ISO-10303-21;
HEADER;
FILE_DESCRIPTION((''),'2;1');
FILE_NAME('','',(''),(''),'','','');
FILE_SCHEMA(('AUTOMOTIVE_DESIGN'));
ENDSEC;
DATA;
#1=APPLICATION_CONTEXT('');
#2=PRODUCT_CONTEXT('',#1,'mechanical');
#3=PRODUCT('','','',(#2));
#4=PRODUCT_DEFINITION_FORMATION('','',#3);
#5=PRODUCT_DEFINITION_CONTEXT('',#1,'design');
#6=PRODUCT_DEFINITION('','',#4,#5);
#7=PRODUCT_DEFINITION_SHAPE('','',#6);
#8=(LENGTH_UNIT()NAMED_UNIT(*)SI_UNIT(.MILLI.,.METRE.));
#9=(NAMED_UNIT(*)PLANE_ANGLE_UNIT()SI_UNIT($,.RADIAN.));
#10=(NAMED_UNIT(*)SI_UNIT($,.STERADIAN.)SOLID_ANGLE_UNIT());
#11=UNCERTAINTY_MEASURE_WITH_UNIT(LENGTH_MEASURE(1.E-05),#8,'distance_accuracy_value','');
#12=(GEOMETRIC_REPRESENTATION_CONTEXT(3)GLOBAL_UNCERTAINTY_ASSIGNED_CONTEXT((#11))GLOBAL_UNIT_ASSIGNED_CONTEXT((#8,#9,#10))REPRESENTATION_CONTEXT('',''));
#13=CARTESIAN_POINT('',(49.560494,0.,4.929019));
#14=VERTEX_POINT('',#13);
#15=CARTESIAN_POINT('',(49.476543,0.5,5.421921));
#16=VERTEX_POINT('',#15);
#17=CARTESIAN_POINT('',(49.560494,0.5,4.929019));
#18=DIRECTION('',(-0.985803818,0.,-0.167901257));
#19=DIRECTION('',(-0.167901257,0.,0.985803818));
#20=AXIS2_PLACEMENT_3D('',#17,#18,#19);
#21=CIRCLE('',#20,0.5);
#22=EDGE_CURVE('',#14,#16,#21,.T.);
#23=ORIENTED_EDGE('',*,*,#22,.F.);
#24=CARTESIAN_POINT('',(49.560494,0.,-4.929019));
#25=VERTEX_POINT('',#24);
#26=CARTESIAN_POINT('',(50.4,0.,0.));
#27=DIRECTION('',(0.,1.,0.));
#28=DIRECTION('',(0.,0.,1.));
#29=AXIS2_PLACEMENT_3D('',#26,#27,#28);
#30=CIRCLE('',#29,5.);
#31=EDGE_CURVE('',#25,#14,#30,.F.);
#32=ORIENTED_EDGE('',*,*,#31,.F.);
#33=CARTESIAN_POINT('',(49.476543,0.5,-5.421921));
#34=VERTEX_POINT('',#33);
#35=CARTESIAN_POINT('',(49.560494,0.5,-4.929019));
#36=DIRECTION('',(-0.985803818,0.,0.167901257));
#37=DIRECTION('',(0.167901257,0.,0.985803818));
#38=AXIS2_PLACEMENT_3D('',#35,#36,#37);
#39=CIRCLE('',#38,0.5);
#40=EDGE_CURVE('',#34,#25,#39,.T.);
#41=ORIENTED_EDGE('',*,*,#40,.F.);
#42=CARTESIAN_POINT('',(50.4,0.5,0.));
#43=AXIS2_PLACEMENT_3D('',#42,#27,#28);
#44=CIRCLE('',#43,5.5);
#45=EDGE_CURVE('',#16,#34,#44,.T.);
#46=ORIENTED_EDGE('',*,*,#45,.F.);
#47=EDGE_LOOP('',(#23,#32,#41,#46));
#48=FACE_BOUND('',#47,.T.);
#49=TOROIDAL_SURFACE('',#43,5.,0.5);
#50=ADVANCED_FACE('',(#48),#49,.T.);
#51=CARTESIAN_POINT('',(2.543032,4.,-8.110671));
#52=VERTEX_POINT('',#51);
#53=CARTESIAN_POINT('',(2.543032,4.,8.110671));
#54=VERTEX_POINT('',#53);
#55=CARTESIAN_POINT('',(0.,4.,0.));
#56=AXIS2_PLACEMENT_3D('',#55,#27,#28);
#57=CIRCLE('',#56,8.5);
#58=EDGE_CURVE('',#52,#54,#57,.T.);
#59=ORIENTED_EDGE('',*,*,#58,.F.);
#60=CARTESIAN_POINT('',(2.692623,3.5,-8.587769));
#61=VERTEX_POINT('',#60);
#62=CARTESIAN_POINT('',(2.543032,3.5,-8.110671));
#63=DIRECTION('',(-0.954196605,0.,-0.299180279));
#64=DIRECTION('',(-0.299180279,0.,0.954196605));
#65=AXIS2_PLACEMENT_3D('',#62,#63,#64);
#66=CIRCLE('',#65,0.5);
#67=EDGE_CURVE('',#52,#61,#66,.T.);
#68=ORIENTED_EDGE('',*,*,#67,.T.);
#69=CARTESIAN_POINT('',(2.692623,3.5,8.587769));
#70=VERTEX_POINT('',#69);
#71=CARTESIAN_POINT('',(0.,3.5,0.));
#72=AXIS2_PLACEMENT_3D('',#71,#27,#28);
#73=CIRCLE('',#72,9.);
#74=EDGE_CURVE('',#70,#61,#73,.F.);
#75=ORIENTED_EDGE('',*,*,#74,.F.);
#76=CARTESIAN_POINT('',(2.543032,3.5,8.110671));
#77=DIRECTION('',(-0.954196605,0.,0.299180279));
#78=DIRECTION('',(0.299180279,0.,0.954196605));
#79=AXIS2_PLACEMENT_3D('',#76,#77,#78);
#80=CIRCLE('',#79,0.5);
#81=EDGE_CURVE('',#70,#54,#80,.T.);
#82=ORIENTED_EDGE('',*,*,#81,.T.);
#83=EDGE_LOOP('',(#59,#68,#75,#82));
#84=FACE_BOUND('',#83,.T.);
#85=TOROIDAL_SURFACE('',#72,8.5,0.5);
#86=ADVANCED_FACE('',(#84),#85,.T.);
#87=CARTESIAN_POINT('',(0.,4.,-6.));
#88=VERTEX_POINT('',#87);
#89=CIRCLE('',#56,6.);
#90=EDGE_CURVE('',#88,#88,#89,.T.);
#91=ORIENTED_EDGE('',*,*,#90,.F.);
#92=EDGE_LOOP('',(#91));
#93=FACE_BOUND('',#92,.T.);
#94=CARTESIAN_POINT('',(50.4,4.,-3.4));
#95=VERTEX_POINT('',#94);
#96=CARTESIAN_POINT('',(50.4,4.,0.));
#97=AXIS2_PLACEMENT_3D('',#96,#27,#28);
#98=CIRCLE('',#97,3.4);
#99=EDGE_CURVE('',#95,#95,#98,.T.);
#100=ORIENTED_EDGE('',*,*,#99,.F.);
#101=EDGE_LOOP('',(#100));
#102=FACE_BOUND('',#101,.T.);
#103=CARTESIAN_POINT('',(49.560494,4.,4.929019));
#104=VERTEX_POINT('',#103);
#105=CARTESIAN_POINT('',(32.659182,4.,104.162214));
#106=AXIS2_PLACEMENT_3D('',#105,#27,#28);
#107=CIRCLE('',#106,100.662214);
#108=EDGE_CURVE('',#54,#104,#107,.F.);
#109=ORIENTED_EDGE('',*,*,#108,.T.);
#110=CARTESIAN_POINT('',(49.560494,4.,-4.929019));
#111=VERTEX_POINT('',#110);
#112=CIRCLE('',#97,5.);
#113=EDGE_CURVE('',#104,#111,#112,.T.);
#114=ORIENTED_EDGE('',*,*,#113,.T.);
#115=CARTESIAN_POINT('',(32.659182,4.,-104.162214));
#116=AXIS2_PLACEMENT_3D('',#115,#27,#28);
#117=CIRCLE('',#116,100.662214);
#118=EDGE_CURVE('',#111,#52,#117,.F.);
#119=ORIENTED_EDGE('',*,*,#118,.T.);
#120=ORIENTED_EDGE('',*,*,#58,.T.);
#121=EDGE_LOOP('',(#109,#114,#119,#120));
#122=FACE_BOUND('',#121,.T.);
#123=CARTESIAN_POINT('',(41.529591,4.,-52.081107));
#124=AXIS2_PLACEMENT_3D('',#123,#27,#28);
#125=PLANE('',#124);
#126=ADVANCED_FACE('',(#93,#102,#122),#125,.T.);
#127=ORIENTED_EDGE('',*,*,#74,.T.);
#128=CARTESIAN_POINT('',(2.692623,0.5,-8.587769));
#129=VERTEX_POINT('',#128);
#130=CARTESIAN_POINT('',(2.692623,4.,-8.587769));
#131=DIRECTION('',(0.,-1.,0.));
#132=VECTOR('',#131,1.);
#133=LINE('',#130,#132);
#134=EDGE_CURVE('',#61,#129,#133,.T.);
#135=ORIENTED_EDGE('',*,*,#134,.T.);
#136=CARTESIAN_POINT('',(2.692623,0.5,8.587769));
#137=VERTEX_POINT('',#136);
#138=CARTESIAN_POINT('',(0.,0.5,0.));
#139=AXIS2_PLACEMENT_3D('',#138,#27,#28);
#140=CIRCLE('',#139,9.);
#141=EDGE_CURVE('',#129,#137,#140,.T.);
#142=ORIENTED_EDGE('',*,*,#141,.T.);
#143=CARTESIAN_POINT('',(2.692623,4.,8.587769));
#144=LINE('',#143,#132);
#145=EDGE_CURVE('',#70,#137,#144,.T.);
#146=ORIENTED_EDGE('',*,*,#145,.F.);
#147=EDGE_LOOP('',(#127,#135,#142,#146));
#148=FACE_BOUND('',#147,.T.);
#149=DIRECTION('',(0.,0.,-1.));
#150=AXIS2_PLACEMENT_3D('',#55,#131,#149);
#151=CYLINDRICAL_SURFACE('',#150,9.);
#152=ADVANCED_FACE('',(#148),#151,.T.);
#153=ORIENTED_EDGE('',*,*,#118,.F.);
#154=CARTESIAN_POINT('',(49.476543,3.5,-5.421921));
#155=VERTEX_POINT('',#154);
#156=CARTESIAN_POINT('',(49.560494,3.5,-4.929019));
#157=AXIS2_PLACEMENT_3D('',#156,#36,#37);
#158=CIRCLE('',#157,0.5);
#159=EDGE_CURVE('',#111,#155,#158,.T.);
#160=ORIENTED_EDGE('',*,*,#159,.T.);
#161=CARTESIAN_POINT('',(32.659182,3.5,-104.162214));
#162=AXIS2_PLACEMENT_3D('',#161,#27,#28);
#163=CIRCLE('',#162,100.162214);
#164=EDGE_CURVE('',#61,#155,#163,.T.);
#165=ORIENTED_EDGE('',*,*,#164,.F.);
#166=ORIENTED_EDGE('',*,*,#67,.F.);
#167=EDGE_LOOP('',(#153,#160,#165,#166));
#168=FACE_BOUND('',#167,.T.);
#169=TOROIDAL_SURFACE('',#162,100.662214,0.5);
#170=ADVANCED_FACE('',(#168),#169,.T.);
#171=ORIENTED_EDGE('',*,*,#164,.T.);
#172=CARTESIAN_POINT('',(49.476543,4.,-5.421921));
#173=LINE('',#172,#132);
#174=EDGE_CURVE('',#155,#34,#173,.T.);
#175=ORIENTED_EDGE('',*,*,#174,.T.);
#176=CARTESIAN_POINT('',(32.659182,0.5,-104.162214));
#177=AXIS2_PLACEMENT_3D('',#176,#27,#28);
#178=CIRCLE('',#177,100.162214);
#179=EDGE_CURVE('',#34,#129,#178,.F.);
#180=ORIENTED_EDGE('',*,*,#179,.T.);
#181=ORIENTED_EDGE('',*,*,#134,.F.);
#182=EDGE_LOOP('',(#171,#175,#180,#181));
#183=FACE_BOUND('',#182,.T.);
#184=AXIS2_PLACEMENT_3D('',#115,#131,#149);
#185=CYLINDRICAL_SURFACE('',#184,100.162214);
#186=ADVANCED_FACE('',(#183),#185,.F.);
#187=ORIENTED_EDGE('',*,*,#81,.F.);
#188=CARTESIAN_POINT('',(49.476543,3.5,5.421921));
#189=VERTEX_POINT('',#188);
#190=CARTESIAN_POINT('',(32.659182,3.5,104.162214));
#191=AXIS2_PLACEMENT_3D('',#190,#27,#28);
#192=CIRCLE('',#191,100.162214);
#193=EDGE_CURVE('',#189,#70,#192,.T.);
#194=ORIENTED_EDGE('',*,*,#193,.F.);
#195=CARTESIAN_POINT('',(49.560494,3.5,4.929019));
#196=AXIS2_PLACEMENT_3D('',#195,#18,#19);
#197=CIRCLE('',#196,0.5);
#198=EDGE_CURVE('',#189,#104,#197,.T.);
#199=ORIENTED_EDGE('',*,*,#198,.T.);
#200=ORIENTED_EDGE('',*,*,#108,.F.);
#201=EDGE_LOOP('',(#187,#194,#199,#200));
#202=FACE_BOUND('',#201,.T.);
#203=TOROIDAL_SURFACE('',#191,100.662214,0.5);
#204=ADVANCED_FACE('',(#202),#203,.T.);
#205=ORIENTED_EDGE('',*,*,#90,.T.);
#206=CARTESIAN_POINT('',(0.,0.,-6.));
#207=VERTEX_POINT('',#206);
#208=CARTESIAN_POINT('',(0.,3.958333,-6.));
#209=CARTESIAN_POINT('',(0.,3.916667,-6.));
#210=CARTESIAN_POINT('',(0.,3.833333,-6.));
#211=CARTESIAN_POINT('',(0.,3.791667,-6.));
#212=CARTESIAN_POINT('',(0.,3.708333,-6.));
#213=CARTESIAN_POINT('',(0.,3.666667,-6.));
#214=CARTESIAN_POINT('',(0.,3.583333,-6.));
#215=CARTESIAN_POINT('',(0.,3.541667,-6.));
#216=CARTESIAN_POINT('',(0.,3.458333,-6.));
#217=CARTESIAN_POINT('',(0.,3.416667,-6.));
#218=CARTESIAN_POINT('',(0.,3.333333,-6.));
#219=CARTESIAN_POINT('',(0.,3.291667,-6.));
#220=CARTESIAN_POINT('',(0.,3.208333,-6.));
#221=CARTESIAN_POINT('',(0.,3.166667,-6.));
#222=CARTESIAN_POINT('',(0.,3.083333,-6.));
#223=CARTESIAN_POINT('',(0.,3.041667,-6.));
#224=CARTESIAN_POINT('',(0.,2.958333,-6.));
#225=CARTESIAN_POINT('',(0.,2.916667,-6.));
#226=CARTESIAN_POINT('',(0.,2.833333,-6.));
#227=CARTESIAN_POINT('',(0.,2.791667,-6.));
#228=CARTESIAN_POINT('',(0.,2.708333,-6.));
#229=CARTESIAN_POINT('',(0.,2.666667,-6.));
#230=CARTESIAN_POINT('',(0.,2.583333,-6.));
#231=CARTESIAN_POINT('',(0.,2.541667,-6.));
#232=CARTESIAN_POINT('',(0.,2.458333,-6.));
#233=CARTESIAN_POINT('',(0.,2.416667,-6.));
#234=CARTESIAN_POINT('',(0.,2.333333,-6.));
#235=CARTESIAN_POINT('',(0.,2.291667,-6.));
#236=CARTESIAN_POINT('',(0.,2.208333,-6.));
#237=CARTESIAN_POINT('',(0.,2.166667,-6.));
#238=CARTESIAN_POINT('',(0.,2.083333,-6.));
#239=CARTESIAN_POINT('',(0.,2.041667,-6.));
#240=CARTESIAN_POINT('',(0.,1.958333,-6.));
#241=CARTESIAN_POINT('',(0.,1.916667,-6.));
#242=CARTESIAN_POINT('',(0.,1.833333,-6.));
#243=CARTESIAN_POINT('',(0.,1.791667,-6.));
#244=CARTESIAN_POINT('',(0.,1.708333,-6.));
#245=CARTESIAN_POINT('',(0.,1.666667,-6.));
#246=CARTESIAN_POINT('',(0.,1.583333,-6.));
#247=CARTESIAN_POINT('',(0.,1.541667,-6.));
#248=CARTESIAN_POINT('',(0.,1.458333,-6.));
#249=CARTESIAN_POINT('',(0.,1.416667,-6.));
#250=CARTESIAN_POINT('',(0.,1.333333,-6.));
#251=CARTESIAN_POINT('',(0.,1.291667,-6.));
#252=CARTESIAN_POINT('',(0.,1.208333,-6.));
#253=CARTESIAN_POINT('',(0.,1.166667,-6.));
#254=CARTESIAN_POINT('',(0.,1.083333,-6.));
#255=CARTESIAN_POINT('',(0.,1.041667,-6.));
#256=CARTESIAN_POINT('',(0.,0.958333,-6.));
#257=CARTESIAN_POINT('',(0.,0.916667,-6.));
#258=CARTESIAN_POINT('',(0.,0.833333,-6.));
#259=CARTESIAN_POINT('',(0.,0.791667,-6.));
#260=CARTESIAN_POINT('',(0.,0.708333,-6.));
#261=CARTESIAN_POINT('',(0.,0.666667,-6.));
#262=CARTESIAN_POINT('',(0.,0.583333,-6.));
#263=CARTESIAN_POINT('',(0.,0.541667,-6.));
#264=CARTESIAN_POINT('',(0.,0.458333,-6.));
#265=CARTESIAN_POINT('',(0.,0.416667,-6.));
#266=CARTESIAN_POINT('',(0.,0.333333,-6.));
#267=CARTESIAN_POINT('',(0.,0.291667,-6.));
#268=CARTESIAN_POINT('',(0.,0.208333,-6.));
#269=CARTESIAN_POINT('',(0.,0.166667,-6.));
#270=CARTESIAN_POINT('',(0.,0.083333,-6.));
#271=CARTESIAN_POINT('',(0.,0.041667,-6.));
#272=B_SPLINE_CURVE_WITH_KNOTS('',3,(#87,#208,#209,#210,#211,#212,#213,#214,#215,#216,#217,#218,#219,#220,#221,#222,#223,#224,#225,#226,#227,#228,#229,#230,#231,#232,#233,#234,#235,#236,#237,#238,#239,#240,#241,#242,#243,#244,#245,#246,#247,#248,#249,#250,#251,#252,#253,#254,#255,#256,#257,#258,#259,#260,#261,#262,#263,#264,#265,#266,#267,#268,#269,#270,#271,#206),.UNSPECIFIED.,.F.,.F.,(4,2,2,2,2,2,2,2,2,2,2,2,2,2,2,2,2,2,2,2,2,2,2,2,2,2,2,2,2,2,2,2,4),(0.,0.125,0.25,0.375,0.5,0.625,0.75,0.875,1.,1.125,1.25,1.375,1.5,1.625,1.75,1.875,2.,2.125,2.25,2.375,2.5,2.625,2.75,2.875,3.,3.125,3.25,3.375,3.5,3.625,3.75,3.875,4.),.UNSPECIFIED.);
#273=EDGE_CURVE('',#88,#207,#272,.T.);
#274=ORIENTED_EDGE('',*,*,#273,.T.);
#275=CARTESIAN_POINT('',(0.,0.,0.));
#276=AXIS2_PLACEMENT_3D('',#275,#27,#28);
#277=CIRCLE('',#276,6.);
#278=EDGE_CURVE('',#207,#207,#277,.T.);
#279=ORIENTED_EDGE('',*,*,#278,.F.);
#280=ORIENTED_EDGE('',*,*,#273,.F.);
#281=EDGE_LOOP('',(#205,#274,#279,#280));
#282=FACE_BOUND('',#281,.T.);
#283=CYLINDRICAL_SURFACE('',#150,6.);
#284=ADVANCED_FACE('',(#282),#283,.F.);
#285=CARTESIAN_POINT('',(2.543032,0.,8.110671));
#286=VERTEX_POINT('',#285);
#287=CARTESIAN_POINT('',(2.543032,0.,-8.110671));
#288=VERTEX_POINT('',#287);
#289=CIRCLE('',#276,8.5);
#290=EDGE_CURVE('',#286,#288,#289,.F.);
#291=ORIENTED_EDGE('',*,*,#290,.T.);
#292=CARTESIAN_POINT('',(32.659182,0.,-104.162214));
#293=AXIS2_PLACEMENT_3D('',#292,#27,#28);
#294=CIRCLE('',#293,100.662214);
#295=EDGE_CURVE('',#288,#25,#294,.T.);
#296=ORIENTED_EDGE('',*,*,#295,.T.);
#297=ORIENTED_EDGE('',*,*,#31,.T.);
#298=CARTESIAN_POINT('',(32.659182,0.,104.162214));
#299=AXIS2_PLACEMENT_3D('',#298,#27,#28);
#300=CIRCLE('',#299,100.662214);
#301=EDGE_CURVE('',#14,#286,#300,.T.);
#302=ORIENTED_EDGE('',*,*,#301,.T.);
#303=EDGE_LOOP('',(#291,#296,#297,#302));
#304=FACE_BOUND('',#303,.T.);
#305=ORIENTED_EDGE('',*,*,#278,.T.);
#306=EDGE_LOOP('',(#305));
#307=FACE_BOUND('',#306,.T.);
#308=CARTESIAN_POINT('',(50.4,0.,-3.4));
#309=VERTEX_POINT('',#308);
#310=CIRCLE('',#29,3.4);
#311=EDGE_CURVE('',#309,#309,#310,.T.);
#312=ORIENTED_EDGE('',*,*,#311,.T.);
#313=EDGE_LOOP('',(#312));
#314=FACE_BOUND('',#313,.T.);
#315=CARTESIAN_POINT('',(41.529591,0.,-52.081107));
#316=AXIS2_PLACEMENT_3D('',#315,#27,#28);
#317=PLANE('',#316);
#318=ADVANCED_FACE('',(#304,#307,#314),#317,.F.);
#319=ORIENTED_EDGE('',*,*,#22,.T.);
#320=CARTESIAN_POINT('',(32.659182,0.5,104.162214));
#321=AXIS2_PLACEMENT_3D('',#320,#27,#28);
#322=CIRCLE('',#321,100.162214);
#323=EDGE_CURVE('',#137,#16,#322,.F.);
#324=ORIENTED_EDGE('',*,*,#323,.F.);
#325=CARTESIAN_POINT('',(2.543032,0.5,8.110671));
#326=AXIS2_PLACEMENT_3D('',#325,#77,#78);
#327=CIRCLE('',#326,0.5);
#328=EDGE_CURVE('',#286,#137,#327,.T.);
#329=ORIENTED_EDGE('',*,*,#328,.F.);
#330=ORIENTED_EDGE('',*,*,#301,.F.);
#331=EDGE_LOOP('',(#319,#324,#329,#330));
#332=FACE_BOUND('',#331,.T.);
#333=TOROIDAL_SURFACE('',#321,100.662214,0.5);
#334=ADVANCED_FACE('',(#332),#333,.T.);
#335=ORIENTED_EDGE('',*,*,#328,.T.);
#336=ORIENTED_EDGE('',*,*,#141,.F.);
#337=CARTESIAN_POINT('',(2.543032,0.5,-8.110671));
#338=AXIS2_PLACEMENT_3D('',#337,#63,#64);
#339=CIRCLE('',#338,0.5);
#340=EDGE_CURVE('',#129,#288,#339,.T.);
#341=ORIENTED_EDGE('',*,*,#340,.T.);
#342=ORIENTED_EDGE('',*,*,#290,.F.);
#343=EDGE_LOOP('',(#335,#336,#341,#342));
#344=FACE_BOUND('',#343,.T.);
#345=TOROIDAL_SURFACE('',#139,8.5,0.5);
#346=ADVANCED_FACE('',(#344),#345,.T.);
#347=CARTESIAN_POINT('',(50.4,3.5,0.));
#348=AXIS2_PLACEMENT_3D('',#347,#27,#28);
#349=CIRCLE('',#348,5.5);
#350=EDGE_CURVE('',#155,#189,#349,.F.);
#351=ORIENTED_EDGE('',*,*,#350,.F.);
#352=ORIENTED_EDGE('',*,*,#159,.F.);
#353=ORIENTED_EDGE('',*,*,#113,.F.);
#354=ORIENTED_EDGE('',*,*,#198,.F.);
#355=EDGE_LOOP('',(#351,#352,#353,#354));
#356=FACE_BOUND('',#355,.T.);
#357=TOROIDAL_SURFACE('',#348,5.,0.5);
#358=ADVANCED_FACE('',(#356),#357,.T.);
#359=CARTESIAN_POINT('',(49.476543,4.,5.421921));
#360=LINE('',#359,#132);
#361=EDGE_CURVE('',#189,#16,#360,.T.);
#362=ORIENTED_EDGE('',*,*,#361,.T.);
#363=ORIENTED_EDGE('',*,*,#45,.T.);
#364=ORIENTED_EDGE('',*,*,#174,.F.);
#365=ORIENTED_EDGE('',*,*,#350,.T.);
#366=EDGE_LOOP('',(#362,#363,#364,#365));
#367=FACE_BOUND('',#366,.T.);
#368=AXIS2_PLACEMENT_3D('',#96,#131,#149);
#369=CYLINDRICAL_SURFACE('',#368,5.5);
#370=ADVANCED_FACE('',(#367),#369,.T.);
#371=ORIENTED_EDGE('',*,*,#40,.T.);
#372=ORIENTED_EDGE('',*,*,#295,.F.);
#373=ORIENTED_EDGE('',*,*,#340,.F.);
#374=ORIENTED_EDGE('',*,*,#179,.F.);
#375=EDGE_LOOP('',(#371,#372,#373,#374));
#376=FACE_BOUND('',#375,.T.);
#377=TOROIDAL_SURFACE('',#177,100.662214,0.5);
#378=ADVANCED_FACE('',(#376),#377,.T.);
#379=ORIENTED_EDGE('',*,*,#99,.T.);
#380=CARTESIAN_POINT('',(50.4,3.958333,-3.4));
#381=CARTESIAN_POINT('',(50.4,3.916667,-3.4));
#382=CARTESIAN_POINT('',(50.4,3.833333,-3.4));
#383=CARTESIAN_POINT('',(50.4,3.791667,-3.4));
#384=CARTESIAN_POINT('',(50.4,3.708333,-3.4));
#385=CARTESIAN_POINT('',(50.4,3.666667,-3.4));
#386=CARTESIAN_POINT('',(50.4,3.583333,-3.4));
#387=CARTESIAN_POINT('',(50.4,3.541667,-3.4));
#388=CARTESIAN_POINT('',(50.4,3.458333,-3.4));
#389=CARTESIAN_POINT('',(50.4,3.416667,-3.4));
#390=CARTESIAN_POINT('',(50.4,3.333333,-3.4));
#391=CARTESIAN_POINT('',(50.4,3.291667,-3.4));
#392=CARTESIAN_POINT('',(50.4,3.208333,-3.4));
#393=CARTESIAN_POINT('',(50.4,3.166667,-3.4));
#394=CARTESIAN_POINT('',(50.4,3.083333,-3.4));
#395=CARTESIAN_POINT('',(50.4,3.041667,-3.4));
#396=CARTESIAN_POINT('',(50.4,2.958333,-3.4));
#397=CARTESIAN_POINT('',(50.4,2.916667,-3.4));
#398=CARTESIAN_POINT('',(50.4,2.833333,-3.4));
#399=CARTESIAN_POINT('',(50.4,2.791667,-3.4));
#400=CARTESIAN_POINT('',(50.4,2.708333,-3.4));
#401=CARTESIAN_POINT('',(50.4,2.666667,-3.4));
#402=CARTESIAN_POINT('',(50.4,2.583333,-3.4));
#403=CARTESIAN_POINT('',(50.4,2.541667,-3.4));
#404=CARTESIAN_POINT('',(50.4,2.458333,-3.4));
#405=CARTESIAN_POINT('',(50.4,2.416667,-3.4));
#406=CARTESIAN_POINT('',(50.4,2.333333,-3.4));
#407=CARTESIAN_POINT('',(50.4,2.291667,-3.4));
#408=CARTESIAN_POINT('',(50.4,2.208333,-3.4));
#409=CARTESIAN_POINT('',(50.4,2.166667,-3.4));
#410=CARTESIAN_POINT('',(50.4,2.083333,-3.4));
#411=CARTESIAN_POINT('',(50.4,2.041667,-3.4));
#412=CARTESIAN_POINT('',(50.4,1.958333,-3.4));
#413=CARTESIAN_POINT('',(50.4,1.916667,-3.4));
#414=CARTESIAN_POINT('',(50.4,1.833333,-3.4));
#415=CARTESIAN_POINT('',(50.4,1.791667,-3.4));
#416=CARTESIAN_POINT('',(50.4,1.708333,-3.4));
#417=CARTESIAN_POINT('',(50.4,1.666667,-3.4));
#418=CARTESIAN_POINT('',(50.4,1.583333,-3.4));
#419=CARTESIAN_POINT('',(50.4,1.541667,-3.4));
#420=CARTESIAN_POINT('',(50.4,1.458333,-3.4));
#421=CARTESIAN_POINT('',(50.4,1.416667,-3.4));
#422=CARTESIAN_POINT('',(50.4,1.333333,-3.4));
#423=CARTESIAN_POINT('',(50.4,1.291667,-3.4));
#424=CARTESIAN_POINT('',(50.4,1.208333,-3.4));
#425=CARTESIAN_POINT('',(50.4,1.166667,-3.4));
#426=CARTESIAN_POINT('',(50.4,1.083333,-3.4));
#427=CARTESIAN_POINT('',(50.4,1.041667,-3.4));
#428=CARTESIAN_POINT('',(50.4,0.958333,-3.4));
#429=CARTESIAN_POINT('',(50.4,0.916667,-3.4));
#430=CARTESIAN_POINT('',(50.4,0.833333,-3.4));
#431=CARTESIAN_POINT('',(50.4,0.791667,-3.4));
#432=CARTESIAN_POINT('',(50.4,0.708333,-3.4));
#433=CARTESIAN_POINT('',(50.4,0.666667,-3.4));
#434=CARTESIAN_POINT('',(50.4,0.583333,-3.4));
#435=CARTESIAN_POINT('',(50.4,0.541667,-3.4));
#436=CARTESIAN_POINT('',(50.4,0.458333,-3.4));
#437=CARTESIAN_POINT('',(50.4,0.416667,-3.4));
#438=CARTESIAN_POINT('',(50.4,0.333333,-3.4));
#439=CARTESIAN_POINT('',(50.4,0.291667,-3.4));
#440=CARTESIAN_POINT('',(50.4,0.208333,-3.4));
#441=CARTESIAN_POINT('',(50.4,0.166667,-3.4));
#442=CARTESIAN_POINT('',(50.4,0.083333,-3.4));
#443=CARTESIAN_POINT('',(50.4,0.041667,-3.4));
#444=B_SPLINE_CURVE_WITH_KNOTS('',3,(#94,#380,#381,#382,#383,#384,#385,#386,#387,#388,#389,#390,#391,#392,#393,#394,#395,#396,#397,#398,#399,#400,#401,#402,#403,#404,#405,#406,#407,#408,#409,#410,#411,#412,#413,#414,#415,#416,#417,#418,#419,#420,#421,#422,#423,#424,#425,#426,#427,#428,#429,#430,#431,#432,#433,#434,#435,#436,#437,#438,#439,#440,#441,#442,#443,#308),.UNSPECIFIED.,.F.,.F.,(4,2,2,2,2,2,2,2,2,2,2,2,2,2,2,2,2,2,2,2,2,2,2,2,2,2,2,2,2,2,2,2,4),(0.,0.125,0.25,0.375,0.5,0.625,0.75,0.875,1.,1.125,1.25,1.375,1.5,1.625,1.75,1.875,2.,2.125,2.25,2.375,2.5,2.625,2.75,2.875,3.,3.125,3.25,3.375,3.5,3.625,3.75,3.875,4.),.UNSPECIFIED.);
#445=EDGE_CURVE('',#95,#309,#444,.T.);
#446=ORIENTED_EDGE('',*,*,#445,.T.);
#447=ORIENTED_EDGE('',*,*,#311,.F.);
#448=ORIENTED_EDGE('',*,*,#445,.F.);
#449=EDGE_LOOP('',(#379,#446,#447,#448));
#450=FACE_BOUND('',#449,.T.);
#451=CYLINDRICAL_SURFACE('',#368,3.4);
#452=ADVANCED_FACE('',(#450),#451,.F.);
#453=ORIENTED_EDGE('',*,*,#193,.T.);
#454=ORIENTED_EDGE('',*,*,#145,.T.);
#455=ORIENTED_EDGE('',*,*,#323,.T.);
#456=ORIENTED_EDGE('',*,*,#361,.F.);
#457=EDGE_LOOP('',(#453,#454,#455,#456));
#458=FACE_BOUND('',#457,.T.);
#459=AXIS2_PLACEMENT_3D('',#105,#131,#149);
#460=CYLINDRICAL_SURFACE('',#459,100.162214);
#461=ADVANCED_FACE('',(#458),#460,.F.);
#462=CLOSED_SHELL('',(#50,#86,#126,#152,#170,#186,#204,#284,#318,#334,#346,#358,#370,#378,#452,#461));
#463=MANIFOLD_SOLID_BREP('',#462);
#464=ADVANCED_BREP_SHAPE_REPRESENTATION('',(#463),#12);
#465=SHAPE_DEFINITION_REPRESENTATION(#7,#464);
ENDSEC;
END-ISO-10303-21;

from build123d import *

# Parameters (mm, degrees)
SKETCH_1_R      = 6
SKETCH_1_R_2    = 3.4
EXTRUDE_1_DEPTH = 4
FILLET_1_R      = 0.5


with BuildPart() as part:
    # 草图1 → 凸台-拉伸1 (new body)
    with BuildSketch(Plane(origin=(0, 0, 0), x_dir=(1, 0, 0), z_dir=(0, 1, 0))):
        with BuildLine():
            ThreePointArc((2.692622508, 8.587769444), (-9, 0), (2.692622508, -8.587769444))
            ThreePointArc((2.692622508, -8.587769444), (25.896711744, -4.228545419), (49.476543086, -5.421921))
            ThreePointArc((49.476543086, -5.421921), (55.9, 0), (49.476543086, 5.421921))
            ThreePointArc((49.476543086, 5.421921), (25.896711744, 4.228545419), (2.692622508, 8.587769444))
        make_face()
        with Locations(Location((0, 0, 0), (0, 0, 270))):
            Circle(SKETCH_1_R, mode=Mode.SUBTRACT)
        with Locations(Location((50.4, 0, 0), (0, 0, 270))):
            Circle(SKETCH_1_R_2, mode=Mode.SUBTRACT)
    extrude(amount=EXTRUDE_1_DEPTH)

    # 圆角1
    fillet_1_edges = [part.edges().sort_by_distance(p)[0] for p in [
        (25.896711744, 4, 4.228545419),
        (55.9, 4, 0),
        (25.896711744, 4, -4.228545419),
        (55.9, 0, 0),
        (25.896711744, 0, 4.228545419),
        (-9, 0, 0),
        (25.896711744, 0, -4.228545419),
        (-9, 4, 0),
    ]]
    fillet(fillet_1_edges, radius=FILLET_1_R)


solid = part.part
